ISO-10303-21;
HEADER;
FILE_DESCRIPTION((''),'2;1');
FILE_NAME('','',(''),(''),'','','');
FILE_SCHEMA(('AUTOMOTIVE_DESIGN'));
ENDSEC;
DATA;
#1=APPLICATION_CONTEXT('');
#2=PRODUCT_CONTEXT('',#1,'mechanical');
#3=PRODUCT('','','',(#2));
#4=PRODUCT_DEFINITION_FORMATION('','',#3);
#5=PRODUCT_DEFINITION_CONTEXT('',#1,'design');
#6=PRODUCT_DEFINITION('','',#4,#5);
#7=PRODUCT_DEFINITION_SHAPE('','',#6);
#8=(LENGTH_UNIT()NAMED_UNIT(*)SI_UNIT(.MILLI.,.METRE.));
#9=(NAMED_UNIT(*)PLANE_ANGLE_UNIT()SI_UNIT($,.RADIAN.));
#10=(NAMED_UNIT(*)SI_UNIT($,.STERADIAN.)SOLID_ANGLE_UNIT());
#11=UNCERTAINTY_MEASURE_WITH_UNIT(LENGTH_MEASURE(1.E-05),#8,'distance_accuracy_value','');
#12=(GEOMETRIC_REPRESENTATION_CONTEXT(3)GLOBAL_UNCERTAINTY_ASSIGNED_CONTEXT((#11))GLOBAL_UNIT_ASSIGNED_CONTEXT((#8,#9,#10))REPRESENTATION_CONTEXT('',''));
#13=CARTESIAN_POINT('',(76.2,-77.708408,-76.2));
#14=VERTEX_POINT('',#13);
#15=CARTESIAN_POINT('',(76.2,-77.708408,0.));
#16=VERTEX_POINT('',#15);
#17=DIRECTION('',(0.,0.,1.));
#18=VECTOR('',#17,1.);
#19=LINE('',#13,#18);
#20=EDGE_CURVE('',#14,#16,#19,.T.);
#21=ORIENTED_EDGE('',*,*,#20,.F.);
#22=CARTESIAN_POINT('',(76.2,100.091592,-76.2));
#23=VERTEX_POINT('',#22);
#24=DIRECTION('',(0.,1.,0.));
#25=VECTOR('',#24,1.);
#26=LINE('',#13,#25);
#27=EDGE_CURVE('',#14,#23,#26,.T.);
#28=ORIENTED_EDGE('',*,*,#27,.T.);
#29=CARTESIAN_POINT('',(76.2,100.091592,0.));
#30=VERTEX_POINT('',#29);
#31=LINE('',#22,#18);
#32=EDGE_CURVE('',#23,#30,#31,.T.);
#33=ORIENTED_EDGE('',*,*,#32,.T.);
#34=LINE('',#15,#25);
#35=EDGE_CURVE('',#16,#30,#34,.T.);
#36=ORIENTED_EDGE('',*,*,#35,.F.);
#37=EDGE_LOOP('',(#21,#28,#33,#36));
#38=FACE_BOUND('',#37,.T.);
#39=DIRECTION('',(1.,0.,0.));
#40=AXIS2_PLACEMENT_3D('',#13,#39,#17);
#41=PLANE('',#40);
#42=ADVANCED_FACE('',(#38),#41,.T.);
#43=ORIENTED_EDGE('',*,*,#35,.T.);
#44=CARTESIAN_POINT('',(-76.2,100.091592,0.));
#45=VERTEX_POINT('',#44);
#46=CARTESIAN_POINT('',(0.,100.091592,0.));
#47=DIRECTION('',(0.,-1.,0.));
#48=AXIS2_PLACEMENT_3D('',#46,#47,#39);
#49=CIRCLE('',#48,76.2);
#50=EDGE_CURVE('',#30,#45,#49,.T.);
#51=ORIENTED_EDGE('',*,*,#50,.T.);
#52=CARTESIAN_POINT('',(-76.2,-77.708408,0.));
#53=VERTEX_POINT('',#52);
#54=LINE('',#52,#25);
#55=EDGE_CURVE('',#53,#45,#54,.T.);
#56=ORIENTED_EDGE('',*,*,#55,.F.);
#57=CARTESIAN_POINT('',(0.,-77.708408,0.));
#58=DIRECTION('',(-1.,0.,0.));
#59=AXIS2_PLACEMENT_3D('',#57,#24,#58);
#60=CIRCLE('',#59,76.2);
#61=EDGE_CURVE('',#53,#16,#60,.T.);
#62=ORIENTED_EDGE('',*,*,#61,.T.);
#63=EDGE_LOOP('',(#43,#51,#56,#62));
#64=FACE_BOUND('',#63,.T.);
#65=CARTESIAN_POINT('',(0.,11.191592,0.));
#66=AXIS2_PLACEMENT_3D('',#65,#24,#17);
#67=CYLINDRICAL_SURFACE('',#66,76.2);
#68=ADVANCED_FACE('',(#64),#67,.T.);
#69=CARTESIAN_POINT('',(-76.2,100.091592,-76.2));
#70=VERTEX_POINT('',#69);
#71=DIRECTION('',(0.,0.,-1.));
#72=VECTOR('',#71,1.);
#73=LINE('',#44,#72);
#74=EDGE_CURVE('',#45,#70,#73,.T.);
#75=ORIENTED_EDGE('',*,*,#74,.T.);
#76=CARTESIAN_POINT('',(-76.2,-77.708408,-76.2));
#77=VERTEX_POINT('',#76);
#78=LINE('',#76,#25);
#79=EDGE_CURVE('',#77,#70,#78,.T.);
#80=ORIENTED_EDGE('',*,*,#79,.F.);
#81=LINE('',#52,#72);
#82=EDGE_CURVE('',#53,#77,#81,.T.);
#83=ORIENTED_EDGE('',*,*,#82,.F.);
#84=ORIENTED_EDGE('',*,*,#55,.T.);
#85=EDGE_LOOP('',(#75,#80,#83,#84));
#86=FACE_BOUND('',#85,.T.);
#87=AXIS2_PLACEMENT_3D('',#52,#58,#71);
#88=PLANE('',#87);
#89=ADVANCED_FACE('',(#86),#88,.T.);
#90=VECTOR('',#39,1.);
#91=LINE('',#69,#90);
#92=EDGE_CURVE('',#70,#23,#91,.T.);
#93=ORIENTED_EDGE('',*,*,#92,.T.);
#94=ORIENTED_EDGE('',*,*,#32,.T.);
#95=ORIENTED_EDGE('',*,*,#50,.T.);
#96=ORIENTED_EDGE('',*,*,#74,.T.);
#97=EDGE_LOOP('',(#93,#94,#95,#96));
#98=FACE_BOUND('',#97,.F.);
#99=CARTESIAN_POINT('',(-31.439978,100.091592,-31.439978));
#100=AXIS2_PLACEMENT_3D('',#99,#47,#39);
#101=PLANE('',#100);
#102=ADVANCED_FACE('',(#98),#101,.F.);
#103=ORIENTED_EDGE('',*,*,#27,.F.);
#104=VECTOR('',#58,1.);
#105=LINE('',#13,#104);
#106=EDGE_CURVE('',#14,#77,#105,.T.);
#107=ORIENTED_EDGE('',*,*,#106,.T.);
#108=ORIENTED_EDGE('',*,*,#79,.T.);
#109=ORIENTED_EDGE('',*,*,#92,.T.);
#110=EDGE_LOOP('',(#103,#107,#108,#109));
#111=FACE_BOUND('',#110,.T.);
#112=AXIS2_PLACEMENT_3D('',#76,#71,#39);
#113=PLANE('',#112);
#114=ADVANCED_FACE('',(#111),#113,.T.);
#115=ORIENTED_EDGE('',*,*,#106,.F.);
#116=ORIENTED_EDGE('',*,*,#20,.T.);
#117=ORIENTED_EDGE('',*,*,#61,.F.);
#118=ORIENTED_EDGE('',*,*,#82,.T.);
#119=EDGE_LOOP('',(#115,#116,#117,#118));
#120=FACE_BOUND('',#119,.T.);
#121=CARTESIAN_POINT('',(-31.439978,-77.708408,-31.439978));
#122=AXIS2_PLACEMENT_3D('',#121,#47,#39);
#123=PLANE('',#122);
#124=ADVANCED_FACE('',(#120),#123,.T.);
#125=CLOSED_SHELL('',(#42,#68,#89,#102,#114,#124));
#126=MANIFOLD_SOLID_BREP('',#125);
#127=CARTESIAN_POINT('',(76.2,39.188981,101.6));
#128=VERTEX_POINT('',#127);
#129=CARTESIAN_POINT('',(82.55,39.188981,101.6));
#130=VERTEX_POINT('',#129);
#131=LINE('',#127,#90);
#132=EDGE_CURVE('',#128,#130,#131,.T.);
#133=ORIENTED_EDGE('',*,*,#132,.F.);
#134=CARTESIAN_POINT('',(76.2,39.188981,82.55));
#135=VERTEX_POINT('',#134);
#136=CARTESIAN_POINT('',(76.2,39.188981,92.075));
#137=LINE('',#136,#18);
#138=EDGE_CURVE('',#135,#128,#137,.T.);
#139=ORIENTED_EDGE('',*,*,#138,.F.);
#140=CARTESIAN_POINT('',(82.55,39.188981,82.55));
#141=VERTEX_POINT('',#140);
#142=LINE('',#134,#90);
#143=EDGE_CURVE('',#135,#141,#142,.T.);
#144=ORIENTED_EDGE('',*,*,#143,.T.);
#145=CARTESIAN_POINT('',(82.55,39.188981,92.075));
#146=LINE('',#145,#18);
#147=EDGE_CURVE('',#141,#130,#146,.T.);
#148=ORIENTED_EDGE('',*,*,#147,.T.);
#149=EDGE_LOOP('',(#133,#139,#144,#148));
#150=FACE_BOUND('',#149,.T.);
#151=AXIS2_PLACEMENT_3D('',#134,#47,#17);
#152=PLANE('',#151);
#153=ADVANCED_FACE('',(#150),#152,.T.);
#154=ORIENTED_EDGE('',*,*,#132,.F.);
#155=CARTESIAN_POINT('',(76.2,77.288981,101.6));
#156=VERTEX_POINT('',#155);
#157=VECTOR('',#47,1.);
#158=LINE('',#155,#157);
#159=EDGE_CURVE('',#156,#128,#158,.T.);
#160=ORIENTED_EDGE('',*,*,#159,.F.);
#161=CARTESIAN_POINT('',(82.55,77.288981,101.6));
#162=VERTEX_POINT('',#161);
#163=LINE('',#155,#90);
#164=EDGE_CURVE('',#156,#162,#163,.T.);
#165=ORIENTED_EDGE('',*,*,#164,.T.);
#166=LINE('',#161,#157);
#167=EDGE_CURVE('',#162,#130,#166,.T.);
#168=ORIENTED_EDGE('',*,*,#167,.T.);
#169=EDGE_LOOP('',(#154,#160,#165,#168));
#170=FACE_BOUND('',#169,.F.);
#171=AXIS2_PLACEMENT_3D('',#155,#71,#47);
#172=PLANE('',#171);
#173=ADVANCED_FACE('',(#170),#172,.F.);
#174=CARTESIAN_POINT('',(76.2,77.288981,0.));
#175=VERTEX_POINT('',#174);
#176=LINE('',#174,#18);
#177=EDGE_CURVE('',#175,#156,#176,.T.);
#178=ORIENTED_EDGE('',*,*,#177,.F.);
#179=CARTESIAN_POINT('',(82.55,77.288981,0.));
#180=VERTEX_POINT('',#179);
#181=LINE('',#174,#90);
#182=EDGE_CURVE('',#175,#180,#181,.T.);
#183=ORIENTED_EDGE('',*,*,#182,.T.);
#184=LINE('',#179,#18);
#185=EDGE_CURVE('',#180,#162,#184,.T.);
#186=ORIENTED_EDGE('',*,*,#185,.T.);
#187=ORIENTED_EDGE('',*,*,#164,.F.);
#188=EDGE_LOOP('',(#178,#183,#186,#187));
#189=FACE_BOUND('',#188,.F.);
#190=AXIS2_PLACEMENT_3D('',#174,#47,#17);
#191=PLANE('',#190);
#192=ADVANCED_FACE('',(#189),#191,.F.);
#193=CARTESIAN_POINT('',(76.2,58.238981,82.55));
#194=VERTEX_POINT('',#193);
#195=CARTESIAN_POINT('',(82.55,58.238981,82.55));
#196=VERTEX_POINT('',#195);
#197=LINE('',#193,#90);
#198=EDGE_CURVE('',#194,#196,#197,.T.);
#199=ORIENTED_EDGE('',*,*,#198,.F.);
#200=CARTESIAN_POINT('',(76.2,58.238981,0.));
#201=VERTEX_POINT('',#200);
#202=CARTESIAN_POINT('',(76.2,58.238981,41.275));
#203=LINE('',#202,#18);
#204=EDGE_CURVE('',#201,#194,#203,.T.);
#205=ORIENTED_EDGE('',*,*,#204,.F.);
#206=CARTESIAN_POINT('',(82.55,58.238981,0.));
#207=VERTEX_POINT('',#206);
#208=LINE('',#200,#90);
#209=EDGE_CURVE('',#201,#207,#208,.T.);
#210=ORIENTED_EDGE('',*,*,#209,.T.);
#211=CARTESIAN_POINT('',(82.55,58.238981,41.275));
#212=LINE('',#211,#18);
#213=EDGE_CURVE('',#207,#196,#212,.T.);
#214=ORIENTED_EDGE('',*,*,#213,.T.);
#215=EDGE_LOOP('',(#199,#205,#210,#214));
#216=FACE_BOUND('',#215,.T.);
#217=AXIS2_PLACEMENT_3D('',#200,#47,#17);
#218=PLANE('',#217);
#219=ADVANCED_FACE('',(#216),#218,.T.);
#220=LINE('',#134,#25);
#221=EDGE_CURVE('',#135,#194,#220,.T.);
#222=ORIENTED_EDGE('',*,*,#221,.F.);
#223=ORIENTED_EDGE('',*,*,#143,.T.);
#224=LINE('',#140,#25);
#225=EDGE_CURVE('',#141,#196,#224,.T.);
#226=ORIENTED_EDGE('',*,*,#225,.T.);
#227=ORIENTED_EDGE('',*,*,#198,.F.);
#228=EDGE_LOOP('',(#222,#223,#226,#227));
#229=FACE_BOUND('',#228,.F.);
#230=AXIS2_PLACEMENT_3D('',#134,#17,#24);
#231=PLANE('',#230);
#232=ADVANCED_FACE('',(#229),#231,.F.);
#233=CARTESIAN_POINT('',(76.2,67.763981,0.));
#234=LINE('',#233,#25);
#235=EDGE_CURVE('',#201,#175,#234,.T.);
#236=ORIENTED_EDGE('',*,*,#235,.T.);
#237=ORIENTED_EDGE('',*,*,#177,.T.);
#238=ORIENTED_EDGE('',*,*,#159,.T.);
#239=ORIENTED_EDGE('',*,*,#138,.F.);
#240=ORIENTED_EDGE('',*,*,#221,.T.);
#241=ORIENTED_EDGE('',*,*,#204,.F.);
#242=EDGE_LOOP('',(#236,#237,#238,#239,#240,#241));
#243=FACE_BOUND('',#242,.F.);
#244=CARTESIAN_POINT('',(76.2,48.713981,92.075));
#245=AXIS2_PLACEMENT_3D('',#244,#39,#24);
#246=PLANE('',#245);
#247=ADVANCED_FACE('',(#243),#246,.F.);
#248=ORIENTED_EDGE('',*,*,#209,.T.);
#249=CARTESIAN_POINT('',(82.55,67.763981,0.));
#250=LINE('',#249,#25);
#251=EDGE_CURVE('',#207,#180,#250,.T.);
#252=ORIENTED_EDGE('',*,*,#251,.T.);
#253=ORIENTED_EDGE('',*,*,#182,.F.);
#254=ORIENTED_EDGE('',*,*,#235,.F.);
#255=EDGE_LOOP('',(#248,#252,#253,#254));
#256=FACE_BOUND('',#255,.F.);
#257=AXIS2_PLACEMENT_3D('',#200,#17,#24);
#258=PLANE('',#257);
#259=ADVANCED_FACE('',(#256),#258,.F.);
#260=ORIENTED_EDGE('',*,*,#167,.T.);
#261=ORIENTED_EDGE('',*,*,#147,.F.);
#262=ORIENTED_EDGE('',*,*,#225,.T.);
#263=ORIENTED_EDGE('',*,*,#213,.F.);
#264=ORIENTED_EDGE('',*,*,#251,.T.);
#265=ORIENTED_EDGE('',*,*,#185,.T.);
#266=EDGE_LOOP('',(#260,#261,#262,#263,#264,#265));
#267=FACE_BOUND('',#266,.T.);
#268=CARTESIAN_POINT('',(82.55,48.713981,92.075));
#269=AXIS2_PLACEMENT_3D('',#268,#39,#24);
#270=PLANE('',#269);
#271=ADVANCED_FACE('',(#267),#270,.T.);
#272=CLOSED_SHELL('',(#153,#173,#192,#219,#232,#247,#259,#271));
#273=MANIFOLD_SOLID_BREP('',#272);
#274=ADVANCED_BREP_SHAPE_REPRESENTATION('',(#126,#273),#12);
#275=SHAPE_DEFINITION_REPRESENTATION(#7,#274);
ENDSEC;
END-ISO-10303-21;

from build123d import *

# Parameters (mm, degrees)
F0_W     = 177.8
F0_H     = 76.2
F3_DEPTH = 177.8
F4_W     = 19.05
F4_H     = 19.05
F4_H_2   = 82.55
F5_DEPTH = 6.35


with BuildPart() as f1:
    # F0 (on Right) → F1 (revolve)
    with BuildSketch(Plane.YZ):
        with Locations((11.1915917635, 38.1)):
            Rectangle(F0_W, F0_H)
    revolve(axis=Axis((0, 11.1915917635, 0), (0, 1, 0)))

    # F2 (on face) → F3 (join)
    with BuildSketch(Plane.XZ.offset(77.7084082365)):
        with BuildLine():
            Line((0, -76.2), (0, 0))
            Line((0, 0), (-76.2, 0))
            ThreePointArc((-76.2, 0), (-53.8815367264, -53.8815367264), (0, -76.2))
        make_face()
        with BuildLine():
            Line((76.2, 0), (0, 0))
            Line((0, 0), (0, -76.2))
            ThreePointArc((0, -76.2), (53.8815367264, -53.8815367264), (76.2, 0))
        make_face()
        with BuildLine():
            Line((76.2, -76.2), (76.2, 0))
            ThreePointArc((76.2, 0), (53.8815367264, -53.8815367264), (0, -76.2))
            Line((0, -76.2), (76.2, -76.2))
        make_face()
        with BuildLine():
            Line((-76.2, -76.2), (0, -76.2))
            ThreePointArc((0, -76.2), (-53.8815367264, -53.8815367264), (-76.2, 0))
            Line((-76.2, 0), (-76.2, -76.2))
        make_face()
    extrude(amount=-F3_DEPTH)


with BuildPart() as f5:
    # F4 (on face) → F5 (new body)
    with BuildSketch(Plane.YZ.offset(76.2)):
        with Locations((48.7139810562, 92.075)):
            Rectangle(F4_W, F4_H)
        with Locations((67.7639810562, 92.075)):
            Rectangle(F4_W, F4_H)
        with Locations((67.7639810562, 41.275)):
            Rectangle(F4_W, F4_H_2)
    extrude(amount=F5_DEPTH)


solid = Compound([f1.part, f5.part])
